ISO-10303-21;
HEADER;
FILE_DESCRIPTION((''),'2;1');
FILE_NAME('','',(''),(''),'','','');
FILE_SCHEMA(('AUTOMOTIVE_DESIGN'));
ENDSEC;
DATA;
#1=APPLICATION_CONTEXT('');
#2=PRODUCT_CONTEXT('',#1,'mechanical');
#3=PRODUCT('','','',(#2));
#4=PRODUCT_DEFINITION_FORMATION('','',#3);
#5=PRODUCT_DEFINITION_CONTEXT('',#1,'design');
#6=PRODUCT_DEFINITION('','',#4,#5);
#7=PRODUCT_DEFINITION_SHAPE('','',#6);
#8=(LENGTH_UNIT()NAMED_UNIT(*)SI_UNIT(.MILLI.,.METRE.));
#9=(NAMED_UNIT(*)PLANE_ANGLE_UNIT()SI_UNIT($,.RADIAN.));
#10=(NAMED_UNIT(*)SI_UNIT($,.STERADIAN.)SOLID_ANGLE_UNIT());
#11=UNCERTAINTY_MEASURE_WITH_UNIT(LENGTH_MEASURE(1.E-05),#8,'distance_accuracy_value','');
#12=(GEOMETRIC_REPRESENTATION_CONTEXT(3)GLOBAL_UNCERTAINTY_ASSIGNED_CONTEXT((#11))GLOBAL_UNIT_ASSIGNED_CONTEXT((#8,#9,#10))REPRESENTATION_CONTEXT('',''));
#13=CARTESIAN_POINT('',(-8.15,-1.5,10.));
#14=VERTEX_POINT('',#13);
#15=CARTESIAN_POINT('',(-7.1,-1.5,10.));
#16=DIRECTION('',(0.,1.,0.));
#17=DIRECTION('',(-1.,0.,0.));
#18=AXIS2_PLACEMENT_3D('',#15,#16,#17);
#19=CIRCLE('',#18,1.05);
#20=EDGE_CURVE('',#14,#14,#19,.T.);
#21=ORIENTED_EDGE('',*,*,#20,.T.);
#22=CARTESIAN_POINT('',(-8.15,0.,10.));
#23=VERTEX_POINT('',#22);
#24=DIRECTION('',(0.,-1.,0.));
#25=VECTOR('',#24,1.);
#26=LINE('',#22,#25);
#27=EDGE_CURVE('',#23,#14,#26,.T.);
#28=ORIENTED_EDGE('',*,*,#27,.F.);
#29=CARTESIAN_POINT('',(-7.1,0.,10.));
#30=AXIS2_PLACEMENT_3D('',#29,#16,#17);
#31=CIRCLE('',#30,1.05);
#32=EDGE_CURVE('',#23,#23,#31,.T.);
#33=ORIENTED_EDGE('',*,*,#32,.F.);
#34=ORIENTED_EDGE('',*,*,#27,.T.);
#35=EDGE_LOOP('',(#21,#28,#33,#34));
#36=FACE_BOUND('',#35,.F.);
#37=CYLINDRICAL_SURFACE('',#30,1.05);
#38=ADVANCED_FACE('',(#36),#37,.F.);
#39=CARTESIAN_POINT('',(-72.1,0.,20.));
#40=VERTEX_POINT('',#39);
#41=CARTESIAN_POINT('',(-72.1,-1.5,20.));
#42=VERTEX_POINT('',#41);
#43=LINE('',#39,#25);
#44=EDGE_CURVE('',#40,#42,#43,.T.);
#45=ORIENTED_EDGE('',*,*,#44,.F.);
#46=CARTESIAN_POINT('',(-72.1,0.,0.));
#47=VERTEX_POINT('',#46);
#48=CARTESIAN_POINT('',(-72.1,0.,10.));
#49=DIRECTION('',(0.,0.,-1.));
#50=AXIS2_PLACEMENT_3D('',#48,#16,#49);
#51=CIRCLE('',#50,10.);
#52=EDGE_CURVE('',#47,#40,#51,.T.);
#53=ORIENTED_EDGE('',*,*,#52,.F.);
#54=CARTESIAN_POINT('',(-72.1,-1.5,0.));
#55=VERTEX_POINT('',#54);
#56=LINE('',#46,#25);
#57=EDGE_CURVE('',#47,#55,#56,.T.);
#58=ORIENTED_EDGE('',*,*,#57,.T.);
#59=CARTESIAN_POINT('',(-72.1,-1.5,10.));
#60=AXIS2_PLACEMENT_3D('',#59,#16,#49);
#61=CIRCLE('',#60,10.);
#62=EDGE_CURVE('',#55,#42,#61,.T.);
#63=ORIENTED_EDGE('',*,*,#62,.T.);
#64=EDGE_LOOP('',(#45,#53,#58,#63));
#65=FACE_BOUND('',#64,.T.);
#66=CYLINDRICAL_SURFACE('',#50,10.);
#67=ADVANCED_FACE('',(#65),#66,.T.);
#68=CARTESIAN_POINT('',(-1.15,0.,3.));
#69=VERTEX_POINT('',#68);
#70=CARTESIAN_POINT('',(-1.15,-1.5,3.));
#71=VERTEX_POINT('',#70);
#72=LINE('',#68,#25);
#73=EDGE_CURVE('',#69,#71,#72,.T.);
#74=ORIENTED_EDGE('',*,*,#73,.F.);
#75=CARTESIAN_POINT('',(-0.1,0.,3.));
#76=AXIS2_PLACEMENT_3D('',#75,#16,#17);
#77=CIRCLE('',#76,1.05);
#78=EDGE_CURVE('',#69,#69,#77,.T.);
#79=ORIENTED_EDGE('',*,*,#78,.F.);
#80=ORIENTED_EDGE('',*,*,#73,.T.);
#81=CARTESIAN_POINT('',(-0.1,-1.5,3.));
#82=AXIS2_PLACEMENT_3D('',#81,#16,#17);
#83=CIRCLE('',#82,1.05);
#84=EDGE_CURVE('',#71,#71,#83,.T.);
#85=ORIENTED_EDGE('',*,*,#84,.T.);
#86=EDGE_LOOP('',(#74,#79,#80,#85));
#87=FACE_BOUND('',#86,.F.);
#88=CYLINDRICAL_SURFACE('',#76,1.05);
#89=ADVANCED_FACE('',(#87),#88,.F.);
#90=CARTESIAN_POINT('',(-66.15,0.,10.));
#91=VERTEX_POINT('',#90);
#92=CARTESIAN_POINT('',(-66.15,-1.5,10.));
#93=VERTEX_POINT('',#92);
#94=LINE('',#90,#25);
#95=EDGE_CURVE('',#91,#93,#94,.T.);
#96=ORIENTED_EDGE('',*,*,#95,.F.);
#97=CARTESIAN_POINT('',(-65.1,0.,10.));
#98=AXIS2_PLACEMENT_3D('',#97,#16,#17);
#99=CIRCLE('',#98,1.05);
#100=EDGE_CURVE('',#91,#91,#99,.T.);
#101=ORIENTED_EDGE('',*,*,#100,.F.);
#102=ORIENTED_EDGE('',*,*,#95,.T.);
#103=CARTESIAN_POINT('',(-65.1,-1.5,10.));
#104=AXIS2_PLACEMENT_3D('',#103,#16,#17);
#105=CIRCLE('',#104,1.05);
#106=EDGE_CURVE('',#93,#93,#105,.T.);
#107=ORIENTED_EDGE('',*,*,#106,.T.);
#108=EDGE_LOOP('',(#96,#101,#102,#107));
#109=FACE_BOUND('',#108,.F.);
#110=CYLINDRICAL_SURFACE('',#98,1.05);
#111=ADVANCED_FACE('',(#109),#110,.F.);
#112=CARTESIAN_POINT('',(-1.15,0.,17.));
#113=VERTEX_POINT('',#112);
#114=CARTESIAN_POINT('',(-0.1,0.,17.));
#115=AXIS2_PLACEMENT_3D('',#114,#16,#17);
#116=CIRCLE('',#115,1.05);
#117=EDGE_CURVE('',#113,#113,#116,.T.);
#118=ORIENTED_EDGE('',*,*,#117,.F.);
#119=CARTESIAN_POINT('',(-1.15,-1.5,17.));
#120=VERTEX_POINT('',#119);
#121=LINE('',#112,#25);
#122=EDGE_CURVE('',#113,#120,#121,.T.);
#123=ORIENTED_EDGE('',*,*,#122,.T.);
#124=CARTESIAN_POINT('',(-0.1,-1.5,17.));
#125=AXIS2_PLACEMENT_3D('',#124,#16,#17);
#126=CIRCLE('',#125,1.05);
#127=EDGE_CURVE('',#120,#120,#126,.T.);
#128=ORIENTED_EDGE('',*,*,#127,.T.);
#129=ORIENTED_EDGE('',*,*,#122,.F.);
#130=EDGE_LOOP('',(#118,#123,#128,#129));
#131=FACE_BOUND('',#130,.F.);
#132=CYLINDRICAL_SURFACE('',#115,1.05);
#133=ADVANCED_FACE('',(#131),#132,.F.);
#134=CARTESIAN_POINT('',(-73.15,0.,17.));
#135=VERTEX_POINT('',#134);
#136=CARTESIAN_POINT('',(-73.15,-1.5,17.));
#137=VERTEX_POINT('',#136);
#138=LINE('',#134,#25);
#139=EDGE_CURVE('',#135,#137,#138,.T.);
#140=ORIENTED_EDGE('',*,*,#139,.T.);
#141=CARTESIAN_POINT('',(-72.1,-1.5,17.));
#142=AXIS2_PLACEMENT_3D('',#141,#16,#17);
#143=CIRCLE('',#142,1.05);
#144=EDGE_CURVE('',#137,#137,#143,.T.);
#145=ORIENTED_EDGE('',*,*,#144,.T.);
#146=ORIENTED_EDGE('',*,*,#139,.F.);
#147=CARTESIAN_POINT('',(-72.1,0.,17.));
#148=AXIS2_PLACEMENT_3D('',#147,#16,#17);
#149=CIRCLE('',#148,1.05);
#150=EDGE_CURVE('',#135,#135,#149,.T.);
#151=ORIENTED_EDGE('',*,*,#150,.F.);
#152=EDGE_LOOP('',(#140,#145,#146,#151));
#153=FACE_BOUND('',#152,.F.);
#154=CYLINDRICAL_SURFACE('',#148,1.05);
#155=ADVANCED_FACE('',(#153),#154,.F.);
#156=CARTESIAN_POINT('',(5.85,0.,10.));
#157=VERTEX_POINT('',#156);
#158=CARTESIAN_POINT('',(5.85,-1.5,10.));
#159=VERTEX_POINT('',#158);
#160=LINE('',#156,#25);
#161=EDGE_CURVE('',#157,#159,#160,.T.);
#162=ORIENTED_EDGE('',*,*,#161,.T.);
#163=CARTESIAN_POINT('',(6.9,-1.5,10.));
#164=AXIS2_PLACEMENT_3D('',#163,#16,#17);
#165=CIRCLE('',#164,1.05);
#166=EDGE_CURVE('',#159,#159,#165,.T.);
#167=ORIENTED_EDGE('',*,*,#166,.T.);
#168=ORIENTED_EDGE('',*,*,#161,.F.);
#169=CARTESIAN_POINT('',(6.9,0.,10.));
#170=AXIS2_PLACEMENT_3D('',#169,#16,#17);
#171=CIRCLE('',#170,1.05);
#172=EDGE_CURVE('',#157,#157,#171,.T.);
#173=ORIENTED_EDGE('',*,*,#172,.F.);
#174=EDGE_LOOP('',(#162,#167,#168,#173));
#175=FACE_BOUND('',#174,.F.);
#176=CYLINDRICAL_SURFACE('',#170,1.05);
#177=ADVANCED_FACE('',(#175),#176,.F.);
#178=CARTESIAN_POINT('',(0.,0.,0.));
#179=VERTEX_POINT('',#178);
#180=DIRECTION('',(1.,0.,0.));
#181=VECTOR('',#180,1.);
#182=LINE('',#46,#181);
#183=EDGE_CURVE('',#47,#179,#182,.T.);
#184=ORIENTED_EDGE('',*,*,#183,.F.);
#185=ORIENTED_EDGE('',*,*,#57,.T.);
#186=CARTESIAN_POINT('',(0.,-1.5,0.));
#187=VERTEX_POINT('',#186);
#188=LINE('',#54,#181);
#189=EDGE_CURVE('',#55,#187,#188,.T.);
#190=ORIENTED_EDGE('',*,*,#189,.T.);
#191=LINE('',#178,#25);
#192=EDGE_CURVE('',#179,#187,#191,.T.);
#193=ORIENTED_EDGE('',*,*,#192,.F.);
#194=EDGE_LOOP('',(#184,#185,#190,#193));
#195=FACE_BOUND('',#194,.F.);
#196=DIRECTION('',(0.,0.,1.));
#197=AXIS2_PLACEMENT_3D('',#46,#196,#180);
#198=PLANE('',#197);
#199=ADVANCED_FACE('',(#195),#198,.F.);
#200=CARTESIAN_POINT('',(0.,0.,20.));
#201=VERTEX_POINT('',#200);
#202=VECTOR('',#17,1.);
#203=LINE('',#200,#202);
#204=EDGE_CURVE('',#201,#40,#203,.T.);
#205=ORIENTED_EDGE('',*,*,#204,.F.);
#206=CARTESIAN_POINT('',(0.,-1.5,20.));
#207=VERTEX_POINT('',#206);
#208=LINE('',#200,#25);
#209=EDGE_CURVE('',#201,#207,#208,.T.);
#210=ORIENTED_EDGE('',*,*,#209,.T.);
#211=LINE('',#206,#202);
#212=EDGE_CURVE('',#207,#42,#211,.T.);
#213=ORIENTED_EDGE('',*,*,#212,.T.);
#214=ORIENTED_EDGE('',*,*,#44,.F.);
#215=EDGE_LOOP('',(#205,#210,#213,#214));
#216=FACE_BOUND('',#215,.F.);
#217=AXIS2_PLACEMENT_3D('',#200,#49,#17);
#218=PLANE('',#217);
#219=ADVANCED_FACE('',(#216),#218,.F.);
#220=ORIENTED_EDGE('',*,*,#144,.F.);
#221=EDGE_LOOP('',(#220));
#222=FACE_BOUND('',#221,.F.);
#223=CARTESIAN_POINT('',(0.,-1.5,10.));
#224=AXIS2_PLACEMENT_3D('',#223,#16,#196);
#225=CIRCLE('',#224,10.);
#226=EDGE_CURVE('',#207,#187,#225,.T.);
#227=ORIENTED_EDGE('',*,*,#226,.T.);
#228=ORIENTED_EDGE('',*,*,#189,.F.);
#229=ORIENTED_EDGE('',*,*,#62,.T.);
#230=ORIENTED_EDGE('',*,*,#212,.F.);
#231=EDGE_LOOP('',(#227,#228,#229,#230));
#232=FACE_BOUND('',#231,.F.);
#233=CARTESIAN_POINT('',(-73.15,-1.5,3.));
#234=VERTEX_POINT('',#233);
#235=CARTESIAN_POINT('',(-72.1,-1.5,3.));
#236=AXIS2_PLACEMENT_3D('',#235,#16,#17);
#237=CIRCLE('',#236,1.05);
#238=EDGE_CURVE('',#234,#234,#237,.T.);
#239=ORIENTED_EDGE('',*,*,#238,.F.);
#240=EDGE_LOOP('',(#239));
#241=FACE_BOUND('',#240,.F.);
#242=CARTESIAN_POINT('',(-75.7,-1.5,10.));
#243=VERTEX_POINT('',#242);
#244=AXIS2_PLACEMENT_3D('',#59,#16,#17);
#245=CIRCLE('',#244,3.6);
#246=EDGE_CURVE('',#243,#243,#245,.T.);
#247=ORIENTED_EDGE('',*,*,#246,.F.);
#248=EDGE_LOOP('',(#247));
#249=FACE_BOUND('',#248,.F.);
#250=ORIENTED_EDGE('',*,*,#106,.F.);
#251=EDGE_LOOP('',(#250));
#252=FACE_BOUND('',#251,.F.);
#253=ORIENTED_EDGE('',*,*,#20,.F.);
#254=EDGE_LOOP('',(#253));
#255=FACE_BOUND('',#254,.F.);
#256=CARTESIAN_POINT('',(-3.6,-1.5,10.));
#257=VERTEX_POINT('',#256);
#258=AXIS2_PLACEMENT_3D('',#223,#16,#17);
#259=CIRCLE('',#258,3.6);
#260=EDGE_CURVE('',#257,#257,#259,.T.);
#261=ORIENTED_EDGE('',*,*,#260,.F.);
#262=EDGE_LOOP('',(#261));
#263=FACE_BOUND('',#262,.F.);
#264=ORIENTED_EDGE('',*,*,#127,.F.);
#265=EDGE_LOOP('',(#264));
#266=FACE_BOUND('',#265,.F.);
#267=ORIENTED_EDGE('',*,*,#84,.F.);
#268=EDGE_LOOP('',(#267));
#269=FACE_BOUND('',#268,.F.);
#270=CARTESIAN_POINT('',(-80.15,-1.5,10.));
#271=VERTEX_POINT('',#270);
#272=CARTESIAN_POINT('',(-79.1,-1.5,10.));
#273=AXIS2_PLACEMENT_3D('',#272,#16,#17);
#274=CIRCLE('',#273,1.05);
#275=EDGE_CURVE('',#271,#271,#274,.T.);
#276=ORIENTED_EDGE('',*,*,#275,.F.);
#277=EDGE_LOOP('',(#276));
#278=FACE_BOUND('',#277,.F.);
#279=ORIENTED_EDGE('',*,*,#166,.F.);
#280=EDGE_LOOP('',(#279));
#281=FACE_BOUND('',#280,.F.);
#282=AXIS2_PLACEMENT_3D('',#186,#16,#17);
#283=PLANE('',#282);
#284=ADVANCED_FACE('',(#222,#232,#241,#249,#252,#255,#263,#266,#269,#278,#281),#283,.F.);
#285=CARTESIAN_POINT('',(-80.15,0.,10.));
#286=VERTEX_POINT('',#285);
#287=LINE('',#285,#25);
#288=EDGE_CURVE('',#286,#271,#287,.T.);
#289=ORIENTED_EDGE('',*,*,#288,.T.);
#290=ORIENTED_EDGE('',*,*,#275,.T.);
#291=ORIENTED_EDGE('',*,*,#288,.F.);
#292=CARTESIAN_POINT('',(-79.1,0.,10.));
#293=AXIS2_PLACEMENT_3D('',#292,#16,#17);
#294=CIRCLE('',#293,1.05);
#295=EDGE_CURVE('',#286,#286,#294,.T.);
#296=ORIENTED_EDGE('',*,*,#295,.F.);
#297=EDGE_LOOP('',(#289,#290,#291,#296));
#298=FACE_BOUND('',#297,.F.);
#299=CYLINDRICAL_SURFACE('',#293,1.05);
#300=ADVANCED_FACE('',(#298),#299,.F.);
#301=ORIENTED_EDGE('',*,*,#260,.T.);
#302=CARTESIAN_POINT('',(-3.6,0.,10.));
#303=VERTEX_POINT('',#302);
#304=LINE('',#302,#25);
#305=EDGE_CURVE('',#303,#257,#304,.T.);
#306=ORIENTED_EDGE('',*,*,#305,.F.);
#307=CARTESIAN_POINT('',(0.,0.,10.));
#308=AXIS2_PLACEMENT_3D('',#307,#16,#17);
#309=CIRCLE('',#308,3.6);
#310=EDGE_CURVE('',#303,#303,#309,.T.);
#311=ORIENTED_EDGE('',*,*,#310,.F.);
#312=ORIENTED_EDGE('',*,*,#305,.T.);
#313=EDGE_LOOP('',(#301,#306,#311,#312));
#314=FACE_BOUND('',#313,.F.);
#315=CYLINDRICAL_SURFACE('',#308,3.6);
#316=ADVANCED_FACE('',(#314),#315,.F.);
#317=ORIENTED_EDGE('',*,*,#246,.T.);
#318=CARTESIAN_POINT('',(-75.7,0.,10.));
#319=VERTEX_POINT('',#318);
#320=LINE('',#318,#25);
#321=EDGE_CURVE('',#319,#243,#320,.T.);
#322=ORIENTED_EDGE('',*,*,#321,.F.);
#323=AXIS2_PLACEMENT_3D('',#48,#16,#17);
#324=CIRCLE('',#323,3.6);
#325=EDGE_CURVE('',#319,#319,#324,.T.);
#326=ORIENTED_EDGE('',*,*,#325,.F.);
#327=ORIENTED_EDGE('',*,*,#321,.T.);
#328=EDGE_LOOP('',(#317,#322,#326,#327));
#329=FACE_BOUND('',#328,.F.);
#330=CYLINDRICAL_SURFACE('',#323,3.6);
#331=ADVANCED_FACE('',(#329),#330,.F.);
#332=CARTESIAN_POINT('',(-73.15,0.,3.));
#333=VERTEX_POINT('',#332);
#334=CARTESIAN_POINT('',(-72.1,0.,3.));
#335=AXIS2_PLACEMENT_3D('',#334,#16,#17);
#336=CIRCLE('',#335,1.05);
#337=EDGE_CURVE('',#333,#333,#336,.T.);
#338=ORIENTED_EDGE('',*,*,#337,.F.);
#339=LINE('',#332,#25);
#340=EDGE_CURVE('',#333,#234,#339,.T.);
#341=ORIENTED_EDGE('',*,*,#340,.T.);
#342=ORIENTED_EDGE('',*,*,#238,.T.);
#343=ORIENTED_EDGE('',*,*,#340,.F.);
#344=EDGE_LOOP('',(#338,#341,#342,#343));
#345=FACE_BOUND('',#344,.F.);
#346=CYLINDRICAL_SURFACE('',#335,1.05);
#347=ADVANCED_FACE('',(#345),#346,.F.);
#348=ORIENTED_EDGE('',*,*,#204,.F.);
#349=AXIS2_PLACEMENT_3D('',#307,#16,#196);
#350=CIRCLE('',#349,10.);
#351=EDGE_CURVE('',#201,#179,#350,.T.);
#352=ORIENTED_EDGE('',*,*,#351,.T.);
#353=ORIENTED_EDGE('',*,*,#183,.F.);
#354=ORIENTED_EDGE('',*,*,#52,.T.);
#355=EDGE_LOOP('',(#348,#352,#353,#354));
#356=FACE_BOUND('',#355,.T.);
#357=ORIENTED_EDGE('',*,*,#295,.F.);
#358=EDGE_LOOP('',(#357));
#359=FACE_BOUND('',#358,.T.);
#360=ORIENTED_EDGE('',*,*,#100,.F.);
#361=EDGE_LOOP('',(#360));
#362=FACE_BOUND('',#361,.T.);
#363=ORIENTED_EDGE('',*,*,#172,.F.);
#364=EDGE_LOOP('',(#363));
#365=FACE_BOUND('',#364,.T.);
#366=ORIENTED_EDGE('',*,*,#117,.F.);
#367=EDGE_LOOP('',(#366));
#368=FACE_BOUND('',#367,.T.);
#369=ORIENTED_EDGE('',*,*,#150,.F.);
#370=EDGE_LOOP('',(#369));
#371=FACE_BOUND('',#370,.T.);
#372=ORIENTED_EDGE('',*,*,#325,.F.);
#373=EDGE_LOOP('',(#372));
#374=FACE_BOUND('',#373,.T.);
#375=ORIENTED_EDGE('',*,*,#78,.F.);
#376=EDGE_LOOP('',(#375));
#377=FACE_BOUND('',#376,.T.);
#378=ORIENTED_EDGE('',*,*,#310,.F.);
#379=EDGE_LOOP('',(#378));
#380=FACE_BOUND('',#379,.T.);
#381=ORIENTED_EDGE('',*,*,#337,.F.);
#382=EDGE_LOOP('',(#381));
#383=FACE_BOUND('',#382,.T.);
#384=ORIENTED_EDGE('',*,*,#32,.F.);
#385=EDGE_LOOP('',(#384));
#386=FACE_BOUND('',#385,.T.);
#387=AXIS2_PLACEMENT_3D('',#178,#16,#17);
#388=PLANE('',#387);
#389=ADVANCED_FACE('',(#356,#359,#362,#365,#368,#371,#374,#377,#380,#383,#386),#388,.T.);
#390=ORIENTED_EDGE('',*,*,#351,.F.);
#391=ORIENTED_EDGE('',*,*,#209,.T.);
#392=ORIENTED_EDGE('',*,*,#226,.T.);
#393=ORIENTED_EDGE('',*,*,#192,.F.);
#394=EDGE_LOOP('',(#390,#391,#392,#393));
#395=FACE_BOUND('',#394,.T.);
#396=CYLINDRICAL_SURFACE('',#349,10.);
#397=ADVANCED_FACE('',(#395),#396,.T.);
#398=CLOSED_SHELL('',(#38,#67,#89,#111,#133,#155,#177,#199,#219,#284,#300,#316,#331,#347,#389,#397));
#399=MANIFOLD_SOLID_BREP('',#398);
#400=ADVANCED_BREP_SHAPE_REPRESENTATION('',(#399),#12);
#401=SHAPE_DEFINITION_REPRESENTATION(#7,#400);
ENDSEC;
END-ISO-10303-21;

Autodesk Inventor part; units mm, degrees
ref_plane "YZ Plane" through (0, 0, 0) normal (1, 0, 0) x (0, 1, 0)
ref_plane "XZ Plane" through (0, 0, 0) normal (0, 1, 0) x (-1, 0, 0)
ref_plane "XY Plane" through (0, 0, 0) normal (0, 0, 1) x (1, 0, 0)
sketch "Sketch1" plane through (0, 0, 0) normal (0, 1, 0) x (-1, 0, 0)
  circle A0 centre (72.1, 10) radius 3.6
  circle A1 centre (0, 10) radius 3.6
  circle A2 centre (7.1, 10) radius 1.05
  circle A3 centre (0.1, 3) radius 1.05
  circle A4 centre (-6.9, 10) radius 1.05
  circle A5 centre (0.1, 17) radius 1.05
  circle A6 centre (65.1, 10) radius 1.05
  circle A7 centre (79.1, 10) radius 1.05
  circle A8 centre (72.1, 17) radius 1.05
  circle A9 centre (72.1, 3) radius 1.05
  arc A10 (0, 20) -> (0, 0) centre (0, 10) ccw
  arc A11 (72.1, 0) -> (72.1, 20) centre (72.1, 10) ccw
  line L0 (72.1, 0) -> (0, 0)
  line L1 (0, 20) -> (72.1, 20)
  point P0 (0, 0)
extrude "Extrusion1" add sketch "Sketch1" against normal blind 1.5
properties part number "CAM_axis_4_5_connector_frame_non_powered"
